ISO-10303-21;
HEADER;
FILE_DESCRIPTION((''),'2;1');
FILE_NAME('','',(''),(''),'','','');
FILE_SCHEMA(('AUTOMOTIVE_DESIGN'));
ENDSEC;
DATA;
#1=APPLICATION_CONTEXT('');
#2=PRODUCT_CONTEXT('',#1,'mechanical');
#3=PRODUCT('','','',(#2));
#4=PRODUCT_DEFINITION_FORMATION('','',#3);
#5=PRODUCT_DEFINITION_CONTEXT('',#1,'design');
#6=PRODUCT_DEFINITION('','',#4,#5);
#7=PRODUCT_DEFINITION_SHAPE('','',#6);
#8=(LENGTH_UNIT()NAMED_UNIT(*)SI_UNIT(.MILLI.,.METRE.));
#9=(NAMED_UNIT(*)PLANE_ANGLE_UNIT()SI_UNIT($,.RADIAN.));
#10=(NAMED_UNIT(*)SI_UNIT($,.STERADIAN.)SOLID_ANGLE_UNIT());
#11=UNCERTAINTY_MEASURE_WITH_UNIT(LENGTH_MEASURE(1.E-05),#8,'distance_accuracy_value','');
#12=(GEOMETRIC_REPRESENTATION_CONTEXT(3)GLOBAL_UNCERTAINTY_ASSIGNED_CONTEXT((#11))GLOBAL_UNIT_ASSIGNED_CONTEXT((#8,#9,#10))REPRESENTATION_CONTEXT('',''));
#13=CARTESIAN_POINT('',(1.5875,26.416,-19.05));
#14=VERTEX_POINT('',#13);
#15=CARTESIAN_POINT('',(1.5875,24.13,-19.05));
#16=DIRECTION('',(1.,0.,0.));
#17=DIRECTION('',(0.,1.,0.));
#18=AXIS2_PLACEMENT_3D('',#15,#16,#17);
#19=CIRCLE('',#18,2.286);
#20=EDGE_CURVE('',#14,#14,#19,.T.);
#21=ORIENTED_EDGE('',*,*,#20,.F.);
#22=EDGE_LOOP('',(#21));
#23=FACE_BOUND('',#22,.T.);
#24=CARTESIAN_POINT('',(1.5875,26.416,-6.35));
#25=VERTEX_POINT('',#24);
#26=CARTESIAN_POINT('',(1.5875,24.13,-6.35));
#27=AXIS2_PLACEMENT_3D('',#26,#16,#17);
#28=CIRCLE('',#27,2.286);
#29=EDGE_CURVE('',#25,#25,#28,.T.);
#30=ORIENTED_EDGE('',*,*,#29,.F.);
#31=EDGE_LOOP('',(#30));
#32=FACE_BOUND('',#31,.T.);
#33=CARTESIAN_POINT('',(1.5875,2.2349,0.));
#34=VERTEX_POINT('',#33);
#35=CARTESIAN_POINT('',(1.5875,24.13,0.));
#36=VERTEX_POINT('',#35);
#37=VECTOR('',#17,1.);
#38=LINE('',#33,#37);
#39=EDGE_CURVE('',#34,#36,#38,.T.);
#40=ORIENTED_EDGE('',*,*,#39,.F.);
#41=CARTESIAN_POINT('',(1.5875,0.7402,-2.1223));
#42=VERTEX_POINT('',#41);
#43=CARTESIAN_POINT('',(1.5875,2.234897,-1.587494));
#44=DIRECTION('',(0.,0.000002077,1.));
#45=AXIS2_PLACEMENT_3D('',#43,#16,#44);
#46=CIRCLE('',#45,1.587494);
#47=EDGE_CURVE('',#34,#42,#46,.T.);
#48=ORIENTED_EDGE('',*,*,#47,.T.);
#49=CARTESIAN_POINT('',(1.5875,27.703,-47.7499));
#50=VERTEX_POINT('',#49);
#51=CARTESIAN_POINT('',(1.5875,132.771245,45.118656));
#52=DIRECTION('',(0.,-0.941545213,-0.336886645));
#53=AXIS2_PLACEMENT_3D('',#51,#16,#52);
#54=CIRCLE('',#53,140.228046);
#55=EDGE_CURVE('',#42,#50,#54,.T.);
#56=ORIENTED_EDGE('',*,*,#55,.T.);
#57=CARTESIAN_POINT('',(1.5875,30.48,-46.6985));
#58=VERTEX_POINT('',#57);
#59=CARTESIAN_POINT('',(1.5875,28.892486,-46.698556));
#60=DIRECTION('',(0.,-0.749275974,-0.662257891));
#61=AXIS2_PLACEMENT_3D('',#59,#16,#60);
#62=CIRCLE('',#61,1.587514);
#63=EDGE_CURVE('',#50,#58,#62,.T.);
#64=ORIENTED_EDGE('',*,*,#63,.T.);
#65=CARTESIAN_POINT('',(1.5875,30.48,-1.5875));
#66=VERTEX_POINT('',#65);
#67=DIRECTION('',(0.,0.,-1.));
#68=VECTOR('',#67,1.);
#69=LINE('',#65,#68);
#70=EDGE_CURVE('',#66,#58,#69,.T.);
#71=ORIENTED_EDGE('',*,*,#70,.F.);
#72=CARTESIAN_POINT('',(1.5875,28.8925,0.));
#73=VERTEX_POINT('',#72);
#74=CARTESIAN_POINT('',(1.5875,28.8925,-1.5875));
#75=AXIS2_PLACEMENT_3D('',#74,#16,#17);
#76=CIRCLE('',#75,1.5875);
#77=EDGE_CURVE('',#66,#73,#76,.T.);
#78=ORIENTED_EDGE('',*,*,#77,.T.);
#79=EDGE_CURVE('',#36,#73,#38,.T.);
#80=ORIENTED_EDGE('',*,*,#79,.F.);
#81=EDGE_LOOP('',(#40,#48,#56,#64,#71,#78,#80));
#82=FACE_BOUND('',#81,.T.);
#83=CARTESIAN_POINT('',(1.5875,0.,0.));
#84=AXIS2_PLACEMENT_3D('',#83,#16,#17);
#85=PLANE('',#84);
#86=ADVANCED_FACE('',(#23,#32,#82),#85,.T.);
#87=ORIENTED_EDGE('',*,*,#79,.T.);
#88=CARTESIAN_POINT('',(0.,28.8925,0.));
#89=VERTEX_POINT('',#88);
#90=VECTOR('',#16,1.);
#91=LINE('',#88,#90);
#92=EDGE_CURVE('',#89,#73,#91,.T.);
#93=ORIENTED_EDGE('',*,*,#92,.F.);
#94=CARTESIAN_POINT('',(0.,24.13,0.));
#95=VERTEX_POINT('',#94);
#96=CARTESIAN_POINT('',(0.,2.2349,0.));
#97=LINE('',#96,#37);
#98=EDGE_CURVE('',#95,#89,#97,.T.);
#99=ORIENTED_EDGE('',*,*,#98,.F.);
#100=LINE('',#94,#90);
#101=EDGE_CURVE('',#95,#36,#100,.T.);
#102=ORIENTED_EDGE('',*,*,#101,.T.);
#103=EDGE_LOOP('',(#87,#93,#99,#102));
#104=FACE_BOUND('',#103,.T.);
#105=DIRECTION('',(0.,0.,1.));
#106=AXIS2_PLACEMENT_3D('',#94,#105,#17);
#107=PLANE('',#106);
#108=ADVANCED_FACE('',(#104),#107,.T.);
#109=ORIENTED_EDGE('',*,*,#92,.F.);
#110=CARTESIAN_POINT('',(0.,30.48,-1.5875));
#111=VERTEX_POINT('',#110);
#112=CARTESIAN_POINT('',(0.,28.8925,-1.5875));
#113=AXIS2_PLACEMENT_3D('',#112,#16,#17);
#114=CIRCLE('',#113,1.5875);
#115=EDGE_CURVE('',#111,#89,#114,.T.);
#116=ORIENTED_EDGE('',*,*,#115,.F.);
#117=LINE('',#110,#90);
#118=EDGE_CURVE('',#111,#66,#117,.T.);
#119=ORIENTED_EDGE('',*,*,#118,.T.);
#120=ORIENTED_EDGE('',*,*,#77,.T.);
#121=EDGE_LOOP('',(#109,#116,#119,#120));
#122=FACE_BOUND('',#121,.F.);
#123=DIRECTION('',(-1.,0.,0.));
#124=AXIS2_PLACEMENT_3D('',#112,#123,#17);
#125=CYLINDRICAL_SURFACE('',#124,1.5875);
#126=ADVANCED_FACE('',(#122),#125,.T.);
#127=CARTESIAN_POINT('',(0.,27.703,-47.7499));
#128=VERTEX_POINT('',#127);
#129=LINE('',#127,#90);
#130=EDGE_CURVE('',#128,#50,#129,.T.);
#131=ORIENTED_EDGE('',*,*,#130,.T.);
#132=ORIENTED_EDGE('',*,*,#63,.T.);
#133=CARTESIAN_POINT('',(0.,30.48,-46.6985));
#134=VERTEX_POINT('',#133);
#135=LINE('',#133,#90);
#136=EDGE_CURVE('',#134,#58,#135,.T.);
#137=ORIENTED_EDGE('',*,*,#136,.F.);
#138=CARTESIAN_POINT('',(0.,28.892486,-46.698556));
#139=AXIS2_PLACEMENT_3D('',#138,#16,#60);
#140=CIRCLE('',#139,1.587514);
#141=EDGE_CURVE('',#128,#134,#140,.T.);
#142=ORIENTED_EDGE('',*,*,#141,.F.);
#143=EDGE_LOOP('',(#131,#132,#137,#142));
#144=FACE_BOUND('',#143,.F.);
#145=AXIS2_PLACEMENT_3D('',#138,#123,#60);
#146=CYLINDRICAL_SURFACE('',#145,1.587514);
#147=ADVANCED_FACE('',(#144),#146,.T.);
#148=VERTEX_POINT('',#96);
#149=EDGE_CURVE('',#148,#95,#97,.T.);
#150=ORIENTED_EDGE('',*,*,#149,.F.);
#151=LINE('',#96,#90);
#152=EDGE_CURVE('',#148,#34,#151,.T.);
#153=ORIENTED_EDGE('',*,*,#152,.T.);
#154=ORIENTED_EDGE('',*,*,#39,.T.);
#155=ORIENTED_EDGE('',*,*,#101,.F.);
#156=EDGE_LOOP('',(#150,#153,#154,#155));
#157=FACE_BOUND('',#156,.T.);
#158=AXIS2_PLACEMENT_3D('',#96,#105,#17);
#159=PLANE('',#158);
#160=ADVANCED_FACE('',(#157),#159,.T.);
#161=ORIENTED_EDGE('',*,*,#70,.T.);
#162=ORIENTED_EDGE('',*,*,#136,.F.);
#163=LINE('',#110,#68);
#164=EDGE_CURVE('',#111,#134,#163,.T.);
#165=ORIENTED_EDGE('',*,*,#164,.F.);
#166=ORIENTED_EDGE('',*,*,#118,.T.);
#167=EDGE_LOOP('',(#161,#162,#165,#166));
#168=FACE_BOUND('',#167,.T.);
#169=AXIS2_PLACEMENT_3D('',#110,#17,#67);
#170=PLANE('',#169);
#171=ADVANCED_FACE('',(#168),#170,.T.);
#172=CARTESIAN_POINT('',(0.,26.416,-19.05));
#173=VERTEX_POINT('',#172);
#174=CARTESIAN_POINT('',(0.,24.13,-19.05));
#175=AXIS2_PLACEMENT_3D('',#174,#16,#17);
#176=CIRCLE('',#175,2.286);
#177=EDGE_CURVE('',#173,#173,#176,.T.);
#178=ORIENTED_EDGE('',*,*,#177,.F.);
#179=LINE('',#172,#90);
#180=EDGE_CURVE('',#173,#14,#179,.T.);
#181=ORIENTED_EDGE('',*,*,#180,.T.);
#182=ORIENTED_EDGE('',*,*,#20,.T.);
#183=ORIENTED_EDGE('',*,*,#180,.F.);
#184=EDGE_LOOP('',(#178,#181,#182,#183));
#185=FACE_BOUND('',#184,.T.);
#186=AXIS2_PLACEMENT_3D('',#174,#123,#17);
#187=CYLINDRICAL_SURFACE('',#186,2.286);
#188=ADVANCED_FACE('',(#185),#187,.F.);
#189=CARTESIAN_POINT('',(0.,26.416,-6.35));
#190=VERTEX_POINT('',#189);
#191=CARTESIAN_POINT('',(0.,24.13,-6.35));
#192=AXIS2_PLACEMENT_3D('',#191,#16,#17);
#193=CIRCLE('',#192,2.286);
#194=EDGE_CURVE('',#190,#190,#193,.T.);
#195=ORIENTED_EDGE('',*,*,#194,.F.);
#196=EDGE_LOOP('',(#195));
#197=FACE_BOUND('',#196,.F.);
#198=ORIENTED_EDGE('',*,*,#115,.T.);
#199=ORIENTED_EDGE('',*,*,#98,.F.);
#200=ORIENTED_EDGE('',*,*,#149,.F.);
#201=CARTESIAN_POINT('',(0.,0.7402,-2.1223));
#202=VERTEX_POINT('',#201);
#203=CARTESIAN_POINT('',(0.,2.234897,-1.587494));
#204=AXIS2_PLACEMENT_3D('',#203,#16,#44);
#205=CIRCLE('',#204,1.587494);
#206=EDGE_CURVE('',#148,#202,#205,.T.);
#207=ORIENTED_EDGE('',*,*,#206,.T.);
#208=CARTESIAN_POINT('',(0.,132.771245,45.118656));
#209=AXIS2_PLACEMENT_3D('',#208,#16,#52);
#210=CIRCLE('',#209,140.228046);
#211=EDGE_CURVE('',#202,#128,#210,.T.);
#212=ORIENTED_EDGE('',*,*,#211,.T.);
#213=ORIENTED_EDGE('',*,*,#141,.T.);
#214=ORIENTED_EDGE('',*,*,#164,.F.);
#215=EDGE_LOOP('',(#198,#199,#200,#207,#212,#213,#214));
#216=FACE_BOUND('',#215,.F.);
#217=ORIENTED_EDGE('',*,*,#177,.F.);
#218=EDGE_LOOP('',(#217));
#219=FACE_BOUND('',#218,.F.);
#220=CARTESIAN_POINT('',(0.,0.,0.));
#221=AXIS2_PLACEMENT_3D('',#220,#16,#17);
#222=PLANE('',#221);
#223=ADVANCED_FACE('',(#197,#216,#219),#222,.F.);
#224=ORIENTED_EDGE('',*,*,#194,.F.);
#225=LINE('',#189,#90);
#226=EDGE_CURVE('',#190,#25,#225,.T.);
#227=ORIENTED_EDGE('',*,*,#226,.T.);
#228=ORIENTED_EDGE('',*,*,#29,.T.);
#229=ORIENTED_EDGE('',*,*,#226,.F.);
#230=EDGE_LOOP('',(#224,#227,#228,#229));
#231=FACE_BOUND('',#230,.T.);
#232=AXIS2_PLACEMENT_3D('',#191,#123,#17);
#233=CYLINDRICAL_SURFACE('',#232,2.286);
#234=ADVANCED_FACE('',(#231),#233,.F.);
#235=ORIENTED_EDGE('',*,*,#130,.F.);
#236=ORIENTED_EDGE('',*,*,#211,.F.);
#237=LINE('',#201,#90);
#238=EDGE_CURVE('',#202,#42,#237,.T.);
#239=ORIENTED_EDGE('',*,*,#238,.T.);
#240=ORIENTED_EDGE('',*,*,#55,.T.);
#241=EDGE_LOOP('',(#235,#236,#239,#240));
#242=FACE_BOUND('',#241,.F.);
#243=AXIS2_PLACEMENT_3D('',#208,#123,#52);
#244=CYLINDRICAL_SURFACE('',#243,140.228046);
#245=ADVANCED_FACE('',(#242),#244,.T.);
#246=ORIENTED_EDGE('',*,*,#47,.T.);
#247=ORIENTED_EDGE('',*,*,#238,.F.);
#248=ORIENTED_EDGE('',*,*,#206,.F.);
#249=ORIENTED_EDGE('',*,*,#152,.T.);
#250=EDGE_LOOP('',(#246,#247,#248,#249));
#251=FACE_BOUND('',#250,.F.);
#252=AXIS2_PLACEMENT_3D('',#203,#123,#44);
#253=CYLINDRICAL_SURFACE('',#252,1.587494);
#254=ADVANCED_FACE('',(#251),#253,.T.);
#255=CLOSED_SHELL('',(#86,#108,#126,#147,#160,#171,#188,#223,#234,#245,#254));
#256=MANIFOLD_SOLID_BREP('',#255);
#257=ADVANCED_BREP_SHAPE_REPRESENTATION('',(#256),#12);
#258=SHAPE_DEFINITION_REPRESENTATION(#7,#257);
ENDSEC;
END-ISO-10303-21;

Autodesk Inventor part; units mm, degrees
ref_plane "YZ Plane" through (0, 0, 0) normal (1, 0, 0) x (0, 1, 0)
ref_plane "XZ Plane" through (0, 0, 0) normal (0, 1, 0) x (-1, 0, 0)
ref_plane "XY Plane" through (0, 0, 0) normal (0, 0, 1) x (1, 0, 0)
sketch "Sketch1" plane through (0, 0, 0) normal (1, 0, 0) x (0, 1, 0)
  line L0 (2.2349, 0) -> (28.8925, 0)
  line L1 (30.48, 0) -> (24.13, 0)
  circle A0 centre (24.13, -6.35) radius 2.286
  circle A1 centre (24.13, -19.05) radius 2.286
  line L2 (30.48, -1.5875) -> (30.48, -46.6985)
  arc A2 (30.48, -1.5875) -> (28.8925, 0) centre (28.8925, -1.5875) ccw
  arc A3 (0.7402, -2.1223) -> (27.703, -47.7499) centre (132.7707, 45.1184) ccw
  arc A4 (27.703, -47.7499) -> (30.48, -46.6985) centre (28.8925, -46.6985) ccw
  arc A5 (2.2349, 0) -> (0.7402, -2.1223) centre (2.2349, -1.5875) ccw
  point P0 (0, 0)
  point P1 (30.48, -38.1)
  point P2 (30.48, -38.1)
  point P3 (30.48, -38.1)
  point P4 (30.48, -38.1)
  point P5 (0, 0)
  point P6 (0, 0)
  point P7 (0, 0)
  point P8 (30.48, -38.1)
  point P9 (30.48, -38.1)
  point P10 (30.48, -38.1)
  point P11 (0, 0)
  point P12 (0, 0)
  point P13 (0, 0)
  point P14 (30.48, -50.8)
  point P15 (0, 0)
  point P16 (0, 0)
  point P17 (0, 0)
  point P18 (30.48, -50.8)
  point P19 (30.48, -50.8)
  point P20 (30.48, -50.8)
  dimension "d0" = 30.48
  dimension "d1" = 38.1
  dimension "d6" = 4.572
  dimension "d7" = 4.572
  dimension "d10" = 50.8
  dimension "d13" = 1.5875
  dimension "d16" = 1.5875
extrude "Extrusion1" add sketch "Sketch1" along normal blind 1.5875
properties part number "hg"
